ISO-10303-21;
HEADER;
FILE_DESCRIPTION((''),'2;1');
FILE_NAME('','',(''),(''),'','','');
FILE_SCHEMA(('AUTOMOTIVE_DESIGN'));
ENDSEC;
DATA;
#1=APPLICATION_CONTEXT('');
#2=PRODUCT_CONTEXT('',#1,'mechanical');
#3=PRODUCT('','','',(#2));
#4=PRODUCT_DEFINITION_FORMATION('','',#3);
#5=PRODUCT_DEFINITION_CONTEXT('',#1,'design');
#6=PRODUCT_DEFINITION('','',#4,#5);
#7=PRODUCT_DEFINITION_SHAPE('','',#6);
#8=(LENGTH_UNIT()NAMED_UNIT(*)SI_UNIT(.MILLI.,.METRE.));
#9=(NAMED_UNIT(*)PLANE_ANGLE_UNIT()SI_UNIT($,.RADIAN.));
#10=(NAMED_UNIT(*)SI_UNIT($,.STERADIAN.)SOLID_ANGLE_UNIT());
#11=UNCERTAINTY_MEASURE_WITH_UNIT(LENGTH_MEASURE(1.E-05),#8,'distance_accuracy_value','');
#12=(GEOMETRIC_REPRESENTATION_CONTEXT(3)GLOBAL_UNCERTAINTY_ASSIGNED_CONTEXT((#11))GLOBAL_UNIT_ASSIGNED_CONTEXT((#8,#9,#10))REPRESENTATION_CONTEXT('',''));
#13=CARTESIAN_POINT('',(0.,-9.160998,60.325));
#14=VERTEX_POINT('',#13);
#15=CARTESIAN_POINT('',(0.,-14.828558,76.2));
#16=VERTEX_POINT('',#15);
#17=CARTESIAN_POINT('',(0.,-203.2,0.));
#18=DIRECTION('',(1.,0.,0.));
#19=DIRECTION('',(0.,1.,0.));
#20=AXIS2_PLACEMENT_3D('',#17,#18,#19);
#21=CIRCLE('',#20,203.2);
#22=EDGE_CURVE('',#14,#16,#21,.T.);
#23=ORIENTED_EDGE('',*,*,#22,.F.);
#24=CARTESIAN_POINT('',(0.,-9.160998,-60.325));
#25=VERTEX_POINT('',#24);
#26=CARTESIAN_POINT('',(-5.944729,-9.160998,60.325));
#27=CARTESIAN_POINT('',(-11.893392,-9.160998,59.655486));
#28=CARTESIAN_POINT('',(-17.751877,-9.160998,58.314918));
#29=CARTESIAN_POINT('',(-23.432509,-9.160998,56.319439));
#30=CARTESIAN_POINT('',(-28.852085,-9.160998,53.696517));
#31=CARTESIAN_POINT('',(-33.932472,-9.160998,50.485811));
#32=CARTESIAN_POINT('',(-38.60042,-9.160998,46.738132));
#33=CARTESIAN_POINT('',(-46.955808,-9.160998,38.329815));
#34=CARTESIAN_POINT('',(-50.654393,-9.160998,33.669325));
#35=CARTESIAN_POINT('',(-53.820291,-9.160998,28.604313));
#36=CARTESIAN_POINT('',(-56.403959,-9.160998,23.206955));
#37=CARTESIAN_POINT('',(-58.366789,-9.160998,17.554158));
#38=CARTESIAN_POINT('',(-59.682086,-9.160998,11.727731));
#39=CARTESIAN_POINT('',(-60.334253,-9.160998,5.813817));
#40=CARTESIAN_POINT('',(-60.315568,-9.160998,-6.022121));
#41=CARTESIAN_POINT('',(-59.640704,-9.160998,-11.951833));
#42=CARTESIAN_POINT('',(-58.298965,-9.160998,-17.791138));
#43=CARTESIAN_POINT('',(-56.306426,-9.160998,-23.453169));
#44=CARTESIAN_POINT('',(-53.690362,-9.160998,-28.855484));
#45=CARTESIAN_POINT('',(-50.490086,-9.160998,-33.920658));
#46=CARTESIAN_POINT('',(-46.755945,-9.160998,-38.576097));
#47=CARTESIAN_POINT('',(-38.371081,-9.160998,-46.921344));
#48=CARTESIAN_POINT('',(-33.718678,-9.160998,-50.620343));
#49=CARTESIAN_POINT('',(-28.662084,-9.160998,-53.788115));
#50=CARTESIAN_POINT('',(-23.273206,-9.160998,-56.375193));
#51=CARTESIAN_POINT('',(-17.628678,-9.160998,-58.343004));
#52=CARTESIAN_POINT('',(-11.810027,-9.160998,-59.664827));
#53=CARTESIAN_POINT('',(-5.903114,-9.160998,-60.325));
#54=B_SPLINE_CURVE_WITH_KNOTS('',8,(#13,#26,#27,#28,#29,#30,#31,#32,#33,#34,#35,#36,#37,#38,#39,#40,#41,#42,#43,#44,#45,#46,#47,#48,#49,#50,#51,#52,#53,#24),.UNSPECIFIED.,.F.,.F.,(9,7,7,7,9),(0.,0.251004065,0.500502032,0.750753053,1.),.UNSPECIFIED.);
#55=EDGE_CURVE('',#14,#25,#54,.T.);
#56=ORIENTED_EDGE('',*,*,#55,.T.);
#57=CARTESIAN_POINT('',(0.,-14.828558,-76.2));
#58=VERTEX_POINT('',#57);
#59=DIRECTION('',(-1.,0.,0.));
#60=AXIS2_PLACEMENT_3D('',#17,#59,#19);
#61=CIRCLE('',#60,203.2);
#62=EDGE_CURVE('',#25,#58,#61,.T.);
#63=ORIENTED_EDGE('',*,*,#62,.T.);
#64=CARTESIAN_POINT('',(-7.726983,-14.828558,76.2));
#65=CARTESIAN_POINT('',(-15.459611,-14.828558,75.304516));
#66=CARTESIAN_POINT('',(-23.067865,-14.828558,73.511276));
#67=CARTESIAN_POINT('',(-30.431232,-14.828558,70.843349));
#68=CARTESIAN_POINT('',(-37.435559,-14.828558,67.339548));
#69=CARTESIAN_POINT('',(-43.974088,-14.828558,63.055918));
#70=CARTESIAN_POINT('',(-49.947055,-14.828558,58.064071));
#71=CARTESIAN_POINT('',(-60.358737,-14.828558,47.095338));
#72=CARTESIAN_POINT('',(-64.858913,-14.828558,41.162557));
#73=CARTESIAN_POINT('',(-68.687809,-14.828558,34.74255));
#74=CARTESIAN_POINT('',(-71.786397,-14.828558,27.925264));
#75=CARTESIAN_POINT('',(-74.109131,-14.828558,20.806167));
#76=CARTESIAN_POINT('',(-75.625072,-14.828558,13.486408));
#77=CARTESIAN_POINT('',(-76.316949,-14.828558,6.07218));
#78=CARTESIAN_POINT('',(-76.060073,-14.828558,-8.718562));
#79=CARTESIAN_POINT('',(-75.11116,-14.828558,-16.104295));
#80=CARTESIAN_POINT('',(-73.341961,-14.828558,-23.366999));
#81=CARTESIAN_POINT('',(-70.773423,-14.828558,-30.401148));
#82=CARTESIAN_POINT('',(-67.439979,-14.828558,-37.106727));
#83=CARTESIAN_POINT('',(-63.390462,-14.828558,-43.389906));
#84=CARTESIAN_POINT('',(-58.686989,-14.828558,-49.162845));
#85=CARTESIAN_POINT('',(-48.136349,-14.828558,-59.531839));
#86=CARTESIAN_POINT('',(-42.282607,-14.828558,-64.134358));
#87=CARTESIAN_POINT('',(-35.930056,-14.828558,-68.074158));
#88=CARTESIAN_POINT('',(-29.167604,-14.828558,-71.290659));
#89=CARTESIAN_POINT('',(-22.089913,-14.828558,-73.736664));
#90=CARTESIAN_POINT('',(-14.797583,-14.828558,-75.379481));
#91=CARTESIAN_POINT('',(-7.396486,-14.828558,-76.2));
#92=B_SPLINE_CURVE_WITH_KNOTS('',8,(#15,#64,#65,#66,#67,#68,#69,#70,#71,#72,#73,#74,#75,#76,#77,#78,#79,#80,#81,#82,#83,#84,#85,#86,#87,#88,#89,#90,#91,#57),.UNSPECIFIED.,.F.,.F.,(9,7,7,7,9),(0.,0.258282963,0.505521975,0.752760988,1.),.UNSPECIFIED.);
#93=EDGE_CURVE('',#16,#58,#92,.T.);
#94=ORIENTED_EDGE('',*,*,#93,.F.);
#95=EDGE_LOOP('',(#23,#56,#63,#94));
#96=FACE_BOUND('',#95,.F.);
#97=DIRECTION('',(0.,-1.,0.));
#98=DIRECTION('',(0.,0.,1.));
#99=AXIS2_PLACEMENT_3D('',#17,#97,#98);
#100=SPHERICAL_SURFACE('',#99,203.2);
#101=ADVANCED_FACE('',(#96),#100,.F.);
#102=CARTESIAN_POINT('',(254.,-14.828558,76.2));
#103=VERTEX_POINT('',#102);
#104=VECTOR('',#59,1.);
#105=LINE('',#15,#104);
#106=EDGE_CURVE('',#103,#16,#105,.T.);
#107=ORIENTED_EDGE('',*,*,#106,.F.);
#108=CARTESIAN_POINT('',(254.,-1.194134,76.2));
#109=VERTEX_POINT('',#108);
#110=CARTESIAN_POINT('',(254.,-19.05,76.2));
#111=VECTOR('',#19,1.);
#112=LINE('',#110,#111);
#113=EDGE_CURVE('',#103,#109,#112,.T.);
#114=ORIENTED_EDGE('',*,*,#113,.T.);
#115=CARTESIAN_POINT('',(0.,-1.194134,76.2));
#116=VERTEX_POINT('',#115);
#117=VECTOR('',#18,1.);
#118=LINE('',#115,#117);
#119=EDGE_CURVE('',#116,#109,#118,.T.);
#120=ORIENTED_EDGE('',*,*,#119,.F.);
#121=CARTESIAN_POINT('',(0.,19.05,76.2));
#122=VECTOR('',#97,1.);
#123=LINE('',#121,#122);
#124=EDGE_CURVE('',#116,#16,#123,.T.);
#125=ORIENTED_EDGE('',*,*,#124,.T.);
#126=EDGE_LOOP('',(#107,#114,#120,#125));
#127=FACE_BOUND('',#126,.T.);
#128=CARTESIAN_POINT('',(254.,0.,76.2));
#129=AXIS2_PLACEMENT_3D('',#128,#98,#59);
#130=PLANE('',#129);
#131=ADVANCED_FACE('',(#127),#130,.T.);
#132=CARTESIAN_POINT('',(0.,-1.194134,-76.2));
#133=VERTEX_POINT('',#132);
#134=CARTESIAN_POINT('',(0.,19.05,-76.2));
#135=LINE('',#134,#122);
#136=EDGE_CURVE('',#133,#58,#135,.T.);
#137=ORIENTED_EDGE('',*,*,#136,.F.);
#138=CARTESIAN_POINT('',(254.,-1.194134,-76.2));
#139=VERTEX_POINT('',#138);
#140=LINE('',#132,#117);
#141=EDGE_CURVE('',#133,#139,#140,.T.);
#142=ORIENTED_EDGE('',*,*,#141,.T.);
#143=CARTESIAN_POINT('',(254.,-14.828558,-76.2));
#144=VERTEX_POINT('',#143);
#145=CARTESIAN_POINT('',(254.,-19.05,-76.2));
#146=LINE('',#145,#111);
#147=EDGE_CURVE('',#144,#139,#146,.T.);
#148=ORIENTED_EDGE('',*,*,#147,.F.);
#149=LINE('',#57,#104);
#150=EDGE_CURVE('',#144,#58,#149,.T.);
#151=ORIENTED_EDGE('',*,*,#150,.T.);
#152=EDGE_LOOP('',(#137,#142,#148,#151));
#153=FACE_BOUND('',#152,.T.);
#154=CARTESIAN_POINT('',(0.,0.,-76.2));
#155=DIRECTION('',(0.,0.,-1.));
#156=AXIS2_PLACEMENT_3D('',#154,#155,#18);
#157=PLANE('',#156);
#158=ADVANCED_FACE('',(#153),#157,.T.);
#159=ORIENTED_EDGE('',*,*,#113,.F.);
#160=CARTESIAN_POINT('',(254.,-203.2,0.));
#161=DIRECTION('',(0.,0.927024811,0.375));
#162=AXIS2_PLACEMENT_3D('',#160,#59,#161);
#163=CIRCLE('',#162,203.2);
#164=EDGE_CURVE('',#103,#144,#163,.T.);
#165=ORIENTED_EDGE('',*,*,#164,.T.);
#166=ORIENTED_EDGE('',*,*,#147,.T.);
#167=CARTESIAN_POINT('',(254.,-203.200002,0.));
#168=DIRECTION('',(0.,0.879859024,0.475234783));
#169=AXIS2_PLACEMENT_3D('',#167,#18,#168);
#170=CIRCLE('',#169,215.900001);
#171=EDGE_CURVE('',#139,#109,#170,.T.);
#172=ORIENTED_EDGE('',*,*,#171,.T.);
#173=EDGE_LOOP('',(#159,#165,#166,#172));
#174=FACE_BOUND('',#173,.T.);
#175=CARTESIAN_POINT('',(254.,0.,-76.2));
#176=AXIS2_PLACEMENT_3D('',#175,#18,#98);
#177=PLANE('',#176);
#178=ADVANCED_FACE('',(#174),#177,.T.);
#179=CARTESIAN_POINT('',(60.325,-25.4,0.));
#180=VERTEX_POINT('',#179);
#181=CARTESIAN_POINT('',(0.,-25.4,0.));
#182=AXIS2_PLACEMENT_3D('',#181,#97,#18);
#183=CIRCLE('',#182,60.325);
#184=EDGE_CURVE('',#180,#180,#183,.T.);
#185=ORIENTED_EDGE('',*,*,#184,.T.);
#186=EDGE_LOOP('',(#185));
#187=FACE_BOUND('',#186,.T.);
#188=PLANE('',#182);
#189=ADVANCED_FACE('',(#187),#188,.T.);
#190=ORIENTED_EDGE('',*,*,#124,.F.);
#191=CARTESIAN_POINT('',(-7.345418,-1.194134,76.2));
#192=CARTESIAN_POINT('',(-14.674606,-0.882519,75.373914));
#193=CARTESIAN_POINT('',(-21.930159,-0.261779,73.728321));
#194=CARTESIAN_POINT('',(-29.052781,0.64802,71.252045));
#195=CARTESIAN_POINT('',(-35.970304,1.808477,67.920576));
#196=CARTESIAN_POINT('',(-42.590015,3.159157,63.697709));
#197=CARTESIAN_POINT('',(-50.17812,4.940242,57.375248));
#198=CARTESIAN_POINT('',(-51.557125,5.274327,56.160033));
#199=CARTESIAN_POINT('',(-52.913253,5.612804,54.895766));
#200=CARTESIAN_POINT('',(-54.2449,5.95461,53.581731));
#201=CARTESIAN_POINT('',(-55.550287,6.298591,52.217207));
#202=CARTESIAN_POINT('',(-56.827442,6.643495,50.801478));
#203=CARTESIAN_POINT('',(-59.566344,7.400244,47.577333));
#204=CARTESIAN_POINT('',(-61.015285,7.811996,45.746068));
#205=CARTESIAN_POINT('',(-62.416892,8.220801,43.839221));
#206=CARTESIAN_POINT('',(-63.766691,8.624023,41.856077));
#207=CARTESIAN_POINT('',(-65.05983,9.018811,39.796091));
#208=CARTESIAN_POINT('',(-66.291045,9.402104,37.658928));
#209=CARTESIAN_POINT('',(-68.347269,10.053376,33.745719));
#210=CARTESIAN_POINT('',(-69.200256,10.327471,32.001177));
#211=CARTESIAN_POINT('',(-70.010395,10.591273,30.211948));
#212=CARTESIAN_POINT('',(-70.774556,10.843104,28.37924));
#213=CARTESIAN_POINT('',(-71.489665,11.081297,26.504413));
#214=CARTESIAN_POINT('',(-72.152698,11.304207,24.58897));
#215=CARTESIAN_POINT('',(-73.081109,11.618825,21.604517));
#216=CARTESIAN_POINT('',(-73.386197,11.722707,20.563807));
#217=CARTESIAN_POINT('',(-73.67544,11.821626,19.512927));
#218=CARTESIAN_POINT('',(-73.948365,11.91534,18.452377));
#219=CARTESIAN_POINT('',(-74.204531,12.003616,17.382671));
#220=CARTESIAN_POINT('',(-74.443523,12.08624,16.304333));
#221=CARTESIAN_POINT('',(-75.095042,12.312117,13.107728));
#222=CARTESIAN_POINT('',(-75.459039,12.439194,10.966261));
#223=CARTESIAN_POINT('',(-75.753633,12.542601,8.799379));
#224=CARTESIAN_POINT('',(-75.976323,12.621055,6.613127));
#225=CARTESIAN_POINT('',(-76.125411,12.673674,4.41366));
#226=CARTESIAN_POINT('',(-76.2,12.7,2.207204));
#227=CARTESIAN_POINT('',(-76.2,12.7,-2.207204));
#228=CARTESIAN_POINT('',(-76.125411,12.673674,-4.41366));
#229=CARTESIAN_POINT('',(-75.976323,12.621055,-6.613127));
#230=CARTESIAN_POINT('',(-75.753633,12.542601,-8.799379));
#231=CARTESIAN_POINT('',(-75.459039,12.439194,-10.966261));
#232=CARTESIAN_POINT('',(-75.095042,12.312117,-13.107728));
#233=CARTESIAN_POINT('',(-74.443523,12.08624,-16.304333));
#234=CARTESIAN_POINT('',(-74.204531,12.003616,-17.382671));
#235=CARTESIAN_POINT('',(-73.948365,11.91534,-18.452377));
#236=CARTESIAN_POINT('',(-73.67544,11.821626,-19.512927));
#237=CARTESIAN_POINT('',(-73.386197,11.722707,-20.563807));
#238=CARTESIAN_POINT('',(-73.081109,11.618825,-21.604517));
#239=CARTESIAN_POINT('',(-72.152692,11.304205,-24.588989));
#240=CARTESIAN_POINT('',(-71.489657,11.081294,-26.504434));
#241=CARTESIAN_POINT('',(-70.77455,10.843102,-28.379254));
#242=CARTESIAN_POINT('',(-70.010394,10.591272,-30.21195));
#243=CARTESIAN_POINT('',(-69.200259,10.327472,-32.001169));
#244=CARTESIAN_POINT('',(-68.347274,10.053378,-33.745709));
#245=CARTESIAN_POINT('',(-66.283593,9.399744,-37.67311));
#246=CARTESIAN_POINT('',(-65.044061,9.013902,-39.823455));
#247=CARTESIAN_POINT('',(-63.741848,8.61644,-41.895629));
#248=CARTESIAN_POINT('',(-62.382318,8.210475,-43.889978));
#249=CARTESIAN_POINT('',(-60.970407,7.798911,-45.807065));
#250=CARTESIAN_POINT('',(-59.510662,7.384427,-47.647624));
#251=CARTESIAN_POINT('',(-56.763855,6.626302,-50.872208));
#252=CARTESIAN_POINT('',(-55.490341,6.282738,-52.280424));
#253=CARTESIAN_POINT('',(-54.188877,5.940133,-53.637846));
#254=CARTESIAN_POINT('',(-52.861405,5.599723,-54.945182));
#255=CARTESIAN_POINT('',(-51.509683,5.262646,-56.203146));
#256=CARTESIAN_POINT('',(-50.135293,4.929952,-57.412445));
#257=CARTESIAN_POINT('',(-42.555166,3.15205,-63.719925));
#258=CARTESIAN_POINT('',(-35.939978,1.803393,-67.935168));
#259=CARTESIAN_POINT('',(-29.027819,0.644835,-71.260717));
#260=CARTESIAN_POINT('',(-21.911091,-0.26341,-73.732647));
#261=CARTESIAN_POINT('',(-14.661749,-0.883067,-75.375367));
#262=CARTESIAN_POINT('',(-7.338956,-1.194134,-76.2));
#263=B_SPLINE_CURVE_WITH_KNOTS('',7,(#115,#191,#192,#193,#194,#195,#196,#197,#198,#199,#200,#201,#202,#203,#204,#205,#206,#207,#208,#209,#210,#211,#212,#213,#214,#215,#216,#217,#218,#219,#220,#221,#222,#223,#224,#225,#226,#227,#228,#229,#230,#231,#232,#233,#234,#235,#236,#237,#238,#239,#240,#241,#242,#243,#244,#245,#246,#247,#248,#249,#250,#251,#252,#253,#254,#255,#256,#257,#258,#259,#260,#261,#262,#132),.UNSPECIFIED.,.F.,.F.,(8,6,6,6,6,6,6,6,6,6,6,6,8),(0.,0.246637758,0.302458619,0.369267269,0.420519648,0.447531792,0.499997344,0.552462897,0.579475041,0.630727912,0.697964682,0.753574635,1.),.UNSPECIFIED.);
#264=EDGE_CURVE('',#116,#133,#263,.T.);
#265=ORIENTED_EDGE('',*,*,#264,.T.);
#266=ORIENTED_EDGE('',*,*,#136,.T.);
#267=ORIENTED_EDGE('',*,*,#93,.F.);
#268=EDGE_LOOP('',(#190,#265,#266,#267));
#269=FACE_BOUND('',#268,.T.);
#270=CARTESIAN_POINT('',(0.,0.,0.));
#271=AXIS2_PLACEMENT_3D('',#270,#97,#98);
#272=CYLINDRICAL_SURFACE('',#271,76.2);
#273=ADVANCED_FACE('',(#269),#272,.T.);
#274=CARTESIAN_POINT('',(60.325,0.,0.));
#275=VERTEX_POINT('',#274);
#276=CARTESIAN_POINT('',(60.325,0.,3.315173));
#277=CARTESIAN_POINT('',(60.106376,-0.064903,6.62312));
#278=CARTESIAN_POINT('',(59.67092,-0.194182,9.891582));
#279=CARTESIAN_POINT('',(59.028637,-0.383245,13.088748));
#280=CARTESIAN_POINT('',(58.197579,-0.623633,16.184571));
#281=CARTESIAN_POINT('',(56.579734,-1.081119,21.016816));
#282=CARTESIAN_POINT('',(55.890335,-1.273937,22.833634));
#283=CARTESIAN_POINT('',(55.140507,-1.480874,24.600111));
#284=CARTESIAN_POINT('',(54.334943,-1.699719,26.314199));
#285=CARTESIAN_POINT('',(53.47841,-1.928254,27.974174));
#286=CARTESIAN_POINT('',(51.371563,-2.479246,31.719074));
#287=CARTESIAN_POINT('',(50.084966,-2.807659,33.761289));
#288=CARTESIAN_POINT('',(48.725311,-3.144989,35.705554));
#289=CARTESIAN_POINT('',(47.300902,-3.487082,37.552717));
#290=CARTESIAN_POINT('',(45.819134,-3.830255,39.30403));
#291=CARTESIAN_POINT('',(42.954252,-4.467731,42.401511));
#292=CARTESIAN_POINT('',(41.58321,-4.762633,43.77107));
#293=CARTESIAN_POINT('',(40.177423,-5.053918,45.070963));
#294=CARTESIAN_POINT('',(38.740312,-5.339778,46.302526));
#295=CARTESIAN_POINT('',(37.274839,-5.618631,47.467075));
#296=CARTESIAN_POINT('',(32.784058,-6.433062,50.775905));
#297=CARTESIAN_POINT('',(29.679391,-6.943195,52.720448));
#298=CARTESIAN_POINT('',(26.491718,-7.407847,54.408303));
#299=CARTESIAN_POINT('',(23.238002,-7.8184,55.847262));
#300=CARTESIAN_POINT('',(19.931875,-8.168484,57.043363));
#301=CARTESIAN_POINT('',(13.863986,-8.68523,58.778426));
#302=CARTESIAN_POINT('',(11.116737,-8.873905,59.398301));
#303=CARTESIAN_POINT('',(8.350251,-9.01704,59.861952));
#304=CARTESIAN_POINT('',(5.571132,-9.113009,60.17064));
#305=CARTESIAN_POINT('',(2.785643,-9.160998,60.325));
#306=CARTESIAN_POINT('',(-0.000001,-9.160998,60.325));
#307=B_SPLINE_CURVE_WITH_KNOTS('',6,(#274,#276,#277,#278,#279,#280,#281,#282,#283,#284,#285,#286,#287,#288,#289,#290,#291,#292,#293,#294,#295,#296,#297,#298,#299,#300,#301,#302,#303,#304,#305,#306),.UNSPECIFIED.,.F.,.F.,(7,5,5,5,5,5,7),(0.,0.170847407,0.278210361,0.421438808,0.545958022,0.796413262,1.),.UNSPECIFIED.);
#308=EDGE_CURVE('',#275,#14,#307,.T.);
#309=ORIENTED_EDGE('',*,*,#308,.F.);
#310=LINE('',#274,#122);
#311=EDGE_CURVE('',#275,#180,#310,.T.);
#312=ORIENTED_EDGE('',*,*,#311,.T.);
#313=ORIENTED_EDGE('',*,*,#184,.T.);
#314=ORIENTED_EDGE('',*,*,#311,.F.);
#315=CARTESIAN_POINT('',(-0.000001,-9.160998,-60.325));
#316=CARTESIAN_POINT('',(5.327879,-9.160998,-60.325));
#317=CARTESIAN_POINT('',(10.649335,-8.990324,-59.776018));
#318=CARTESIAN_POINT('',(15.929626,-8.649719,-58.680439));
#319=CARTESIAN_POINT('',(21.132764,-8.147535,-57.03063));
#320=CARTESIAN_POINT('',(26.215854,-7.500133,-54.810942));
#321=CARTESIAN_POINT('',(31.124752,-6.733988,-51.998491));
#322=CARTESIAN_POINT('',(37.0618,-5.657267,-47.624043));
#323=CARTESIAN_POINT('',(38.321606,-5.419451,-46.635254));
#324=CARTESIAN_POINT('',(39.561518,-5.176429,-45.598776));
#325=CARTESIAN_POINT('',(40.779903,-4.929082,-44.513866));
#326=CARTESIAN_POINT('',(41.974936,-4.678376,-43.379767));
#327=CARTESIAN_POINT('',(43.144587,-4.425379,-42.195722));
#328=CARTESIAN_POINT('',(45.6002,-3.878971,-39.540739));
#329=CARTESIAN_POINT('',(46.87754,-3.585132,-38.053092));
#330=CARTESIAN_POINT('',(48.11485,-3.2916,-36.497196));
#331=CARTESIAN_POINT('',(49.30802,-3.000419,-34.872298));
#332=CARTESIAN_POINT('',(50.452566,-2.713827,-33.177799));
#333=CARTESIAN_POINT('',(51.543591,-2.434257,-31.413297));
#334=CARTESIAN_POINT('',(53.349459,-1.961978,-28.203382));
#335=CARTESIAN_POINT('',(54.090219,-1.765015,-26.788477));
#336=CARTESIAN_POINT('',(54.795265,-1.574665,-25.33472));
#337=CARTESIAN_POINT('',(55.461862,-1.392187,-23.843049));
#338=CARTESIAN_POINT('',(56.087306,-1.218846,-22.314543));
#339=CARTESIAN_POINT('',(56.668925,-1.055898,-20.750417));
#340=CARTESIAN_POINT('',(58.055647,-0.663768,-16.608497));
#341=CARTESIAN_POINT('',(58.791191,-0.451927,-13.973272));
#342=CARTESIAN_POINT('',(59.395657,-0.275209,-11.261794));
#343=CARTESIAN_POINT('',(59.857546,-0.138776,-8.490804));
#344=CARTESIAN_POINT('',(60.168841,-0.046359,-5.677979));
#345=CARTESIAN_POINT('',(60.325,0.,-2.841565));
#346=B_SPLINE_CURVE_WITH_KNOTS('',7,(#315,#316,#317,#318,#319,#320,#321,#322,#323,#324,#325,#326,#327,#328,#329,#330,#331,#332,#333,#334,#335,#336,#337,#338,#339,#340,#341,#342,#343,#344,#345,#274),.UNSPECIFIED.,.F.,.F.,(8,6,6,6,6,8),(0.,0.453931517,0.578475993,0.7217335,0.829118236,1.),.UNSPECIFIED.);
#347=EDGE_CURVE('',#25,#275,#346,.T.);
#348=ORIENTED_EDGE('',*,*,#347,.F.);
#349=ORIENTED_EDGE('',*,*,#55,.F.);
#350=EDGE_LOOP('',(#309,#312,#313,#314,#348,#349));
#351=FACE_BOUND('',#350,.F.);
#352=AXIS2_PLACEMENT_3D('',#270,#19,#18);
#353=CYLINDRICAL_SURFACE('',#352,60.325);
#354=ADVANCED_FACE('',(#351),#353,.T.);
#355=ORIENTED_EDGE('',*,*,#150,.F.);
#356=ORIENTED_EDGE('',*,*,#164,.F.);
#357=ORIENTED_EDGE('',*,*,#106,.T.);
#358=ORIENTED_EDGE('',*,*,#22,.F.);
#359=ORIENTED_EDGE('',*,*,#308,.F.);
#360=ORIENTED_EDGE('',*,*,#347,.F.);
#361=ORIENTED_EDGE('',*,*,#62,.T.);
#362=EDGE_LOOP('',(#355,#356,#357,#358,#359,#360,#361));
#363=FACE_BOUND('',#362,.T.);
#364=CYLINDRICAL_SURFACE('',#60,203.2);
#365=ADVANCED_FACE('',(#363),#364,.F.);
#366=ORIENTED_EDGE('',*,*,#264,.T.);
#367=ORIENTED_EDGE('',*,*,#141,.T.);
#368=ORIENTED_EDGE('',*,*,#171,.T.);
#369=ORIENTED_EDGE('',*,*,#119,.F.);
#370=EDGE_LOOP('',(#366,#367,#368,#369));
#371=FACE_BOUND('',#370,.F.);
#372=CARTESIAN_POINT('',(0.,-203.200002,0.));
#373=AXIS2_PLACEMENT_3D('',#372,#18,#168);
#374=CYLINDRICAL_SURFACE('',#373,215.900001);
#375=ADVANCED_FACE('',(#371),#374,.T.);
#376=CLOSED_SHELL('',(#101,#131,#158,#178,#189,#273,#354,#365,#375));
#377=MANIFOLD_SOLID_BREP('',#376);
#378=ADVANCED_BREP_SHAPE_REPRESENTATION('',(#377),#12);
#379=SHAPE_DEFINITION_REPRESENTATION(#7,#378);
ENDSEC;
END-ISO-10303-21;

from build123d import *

# Parameters (mm, degrees)
F0_R     = 60.325
F1_DEPTH = 19.05
F4_ANGLE = -180
F2_R     = 203.2
F5_DEPTH = 492.64856
F6_DEPTH = 285.85777
F7_DEPTH = 25.4


with BuildPart() as f1:
    # F0 (on Front) → F1 (new body, symmetric)
    with BuildSketch(Plane.XZ):
        with BuildLine():
            Line((254, 76.2), (0, 76.2))
            ThreePointArc((0, 76.2), (-76.2, 0), (0, -76.2))
            Line((0, -76.2), (254, -76.2))
            Line((254, -76.2), (254, 76.2))
        make_face()
        Circle(F0_R, mode=Mode.SUBTRACT)
        Circle(F0_R)
    extrude(amount=F1_DEPTH, both=True)

    # F3 (on face) → F4 (revolve, cut)
    with BuildSketch(Plane.YZ):
        with BuildLine():
            Line((-406.4, 0), (0, 0))
            ThreePointArc((0, 0), (-203.2, 203.2), (-406.4, 0))
        make_face()
    revolve(axis=Axis((0, -203.2, 0), (0, 1, 0)), revolution_arc=F4_ANGLE, mode=Mode.SUBTRACT)

    # F2 (on Right) → F5 (cut)
    with BuildSketch(Plane.YZ):
        with Locations((-203.2, 0)):
            Circle(F2_R)
    extrude(amount=F5_DEPTH, mode=Mode.SUBTRACT)

    # F2 (on Right) → F6 (cut, symmetric)
    with BuildSketch(Plane.YZ):
        with BuildLine():
            ThreePointArc((-13.238437, 102.60319), (12.640691, -5.060247), (-18.255432, -111.392625))
            Line((-18.255432, -111.392625), (114.283874, -111.392625))
            Line((114.283874, -111.392625), (114.283874, 102.60319))
            Line((114.283874, 102.60319), (-13.238437, 102.60319))
        make_face()
    extrude(amount=F6_DEPTH, both=True, mode=Mode.SUBTRACT)

    # F0 (on Front) → F7 (join)
    with BuildSketch(Plane.XZ):
        Circle(F0_R)
    extrude(amount=F7_DEPTH)


solid = f1.part
